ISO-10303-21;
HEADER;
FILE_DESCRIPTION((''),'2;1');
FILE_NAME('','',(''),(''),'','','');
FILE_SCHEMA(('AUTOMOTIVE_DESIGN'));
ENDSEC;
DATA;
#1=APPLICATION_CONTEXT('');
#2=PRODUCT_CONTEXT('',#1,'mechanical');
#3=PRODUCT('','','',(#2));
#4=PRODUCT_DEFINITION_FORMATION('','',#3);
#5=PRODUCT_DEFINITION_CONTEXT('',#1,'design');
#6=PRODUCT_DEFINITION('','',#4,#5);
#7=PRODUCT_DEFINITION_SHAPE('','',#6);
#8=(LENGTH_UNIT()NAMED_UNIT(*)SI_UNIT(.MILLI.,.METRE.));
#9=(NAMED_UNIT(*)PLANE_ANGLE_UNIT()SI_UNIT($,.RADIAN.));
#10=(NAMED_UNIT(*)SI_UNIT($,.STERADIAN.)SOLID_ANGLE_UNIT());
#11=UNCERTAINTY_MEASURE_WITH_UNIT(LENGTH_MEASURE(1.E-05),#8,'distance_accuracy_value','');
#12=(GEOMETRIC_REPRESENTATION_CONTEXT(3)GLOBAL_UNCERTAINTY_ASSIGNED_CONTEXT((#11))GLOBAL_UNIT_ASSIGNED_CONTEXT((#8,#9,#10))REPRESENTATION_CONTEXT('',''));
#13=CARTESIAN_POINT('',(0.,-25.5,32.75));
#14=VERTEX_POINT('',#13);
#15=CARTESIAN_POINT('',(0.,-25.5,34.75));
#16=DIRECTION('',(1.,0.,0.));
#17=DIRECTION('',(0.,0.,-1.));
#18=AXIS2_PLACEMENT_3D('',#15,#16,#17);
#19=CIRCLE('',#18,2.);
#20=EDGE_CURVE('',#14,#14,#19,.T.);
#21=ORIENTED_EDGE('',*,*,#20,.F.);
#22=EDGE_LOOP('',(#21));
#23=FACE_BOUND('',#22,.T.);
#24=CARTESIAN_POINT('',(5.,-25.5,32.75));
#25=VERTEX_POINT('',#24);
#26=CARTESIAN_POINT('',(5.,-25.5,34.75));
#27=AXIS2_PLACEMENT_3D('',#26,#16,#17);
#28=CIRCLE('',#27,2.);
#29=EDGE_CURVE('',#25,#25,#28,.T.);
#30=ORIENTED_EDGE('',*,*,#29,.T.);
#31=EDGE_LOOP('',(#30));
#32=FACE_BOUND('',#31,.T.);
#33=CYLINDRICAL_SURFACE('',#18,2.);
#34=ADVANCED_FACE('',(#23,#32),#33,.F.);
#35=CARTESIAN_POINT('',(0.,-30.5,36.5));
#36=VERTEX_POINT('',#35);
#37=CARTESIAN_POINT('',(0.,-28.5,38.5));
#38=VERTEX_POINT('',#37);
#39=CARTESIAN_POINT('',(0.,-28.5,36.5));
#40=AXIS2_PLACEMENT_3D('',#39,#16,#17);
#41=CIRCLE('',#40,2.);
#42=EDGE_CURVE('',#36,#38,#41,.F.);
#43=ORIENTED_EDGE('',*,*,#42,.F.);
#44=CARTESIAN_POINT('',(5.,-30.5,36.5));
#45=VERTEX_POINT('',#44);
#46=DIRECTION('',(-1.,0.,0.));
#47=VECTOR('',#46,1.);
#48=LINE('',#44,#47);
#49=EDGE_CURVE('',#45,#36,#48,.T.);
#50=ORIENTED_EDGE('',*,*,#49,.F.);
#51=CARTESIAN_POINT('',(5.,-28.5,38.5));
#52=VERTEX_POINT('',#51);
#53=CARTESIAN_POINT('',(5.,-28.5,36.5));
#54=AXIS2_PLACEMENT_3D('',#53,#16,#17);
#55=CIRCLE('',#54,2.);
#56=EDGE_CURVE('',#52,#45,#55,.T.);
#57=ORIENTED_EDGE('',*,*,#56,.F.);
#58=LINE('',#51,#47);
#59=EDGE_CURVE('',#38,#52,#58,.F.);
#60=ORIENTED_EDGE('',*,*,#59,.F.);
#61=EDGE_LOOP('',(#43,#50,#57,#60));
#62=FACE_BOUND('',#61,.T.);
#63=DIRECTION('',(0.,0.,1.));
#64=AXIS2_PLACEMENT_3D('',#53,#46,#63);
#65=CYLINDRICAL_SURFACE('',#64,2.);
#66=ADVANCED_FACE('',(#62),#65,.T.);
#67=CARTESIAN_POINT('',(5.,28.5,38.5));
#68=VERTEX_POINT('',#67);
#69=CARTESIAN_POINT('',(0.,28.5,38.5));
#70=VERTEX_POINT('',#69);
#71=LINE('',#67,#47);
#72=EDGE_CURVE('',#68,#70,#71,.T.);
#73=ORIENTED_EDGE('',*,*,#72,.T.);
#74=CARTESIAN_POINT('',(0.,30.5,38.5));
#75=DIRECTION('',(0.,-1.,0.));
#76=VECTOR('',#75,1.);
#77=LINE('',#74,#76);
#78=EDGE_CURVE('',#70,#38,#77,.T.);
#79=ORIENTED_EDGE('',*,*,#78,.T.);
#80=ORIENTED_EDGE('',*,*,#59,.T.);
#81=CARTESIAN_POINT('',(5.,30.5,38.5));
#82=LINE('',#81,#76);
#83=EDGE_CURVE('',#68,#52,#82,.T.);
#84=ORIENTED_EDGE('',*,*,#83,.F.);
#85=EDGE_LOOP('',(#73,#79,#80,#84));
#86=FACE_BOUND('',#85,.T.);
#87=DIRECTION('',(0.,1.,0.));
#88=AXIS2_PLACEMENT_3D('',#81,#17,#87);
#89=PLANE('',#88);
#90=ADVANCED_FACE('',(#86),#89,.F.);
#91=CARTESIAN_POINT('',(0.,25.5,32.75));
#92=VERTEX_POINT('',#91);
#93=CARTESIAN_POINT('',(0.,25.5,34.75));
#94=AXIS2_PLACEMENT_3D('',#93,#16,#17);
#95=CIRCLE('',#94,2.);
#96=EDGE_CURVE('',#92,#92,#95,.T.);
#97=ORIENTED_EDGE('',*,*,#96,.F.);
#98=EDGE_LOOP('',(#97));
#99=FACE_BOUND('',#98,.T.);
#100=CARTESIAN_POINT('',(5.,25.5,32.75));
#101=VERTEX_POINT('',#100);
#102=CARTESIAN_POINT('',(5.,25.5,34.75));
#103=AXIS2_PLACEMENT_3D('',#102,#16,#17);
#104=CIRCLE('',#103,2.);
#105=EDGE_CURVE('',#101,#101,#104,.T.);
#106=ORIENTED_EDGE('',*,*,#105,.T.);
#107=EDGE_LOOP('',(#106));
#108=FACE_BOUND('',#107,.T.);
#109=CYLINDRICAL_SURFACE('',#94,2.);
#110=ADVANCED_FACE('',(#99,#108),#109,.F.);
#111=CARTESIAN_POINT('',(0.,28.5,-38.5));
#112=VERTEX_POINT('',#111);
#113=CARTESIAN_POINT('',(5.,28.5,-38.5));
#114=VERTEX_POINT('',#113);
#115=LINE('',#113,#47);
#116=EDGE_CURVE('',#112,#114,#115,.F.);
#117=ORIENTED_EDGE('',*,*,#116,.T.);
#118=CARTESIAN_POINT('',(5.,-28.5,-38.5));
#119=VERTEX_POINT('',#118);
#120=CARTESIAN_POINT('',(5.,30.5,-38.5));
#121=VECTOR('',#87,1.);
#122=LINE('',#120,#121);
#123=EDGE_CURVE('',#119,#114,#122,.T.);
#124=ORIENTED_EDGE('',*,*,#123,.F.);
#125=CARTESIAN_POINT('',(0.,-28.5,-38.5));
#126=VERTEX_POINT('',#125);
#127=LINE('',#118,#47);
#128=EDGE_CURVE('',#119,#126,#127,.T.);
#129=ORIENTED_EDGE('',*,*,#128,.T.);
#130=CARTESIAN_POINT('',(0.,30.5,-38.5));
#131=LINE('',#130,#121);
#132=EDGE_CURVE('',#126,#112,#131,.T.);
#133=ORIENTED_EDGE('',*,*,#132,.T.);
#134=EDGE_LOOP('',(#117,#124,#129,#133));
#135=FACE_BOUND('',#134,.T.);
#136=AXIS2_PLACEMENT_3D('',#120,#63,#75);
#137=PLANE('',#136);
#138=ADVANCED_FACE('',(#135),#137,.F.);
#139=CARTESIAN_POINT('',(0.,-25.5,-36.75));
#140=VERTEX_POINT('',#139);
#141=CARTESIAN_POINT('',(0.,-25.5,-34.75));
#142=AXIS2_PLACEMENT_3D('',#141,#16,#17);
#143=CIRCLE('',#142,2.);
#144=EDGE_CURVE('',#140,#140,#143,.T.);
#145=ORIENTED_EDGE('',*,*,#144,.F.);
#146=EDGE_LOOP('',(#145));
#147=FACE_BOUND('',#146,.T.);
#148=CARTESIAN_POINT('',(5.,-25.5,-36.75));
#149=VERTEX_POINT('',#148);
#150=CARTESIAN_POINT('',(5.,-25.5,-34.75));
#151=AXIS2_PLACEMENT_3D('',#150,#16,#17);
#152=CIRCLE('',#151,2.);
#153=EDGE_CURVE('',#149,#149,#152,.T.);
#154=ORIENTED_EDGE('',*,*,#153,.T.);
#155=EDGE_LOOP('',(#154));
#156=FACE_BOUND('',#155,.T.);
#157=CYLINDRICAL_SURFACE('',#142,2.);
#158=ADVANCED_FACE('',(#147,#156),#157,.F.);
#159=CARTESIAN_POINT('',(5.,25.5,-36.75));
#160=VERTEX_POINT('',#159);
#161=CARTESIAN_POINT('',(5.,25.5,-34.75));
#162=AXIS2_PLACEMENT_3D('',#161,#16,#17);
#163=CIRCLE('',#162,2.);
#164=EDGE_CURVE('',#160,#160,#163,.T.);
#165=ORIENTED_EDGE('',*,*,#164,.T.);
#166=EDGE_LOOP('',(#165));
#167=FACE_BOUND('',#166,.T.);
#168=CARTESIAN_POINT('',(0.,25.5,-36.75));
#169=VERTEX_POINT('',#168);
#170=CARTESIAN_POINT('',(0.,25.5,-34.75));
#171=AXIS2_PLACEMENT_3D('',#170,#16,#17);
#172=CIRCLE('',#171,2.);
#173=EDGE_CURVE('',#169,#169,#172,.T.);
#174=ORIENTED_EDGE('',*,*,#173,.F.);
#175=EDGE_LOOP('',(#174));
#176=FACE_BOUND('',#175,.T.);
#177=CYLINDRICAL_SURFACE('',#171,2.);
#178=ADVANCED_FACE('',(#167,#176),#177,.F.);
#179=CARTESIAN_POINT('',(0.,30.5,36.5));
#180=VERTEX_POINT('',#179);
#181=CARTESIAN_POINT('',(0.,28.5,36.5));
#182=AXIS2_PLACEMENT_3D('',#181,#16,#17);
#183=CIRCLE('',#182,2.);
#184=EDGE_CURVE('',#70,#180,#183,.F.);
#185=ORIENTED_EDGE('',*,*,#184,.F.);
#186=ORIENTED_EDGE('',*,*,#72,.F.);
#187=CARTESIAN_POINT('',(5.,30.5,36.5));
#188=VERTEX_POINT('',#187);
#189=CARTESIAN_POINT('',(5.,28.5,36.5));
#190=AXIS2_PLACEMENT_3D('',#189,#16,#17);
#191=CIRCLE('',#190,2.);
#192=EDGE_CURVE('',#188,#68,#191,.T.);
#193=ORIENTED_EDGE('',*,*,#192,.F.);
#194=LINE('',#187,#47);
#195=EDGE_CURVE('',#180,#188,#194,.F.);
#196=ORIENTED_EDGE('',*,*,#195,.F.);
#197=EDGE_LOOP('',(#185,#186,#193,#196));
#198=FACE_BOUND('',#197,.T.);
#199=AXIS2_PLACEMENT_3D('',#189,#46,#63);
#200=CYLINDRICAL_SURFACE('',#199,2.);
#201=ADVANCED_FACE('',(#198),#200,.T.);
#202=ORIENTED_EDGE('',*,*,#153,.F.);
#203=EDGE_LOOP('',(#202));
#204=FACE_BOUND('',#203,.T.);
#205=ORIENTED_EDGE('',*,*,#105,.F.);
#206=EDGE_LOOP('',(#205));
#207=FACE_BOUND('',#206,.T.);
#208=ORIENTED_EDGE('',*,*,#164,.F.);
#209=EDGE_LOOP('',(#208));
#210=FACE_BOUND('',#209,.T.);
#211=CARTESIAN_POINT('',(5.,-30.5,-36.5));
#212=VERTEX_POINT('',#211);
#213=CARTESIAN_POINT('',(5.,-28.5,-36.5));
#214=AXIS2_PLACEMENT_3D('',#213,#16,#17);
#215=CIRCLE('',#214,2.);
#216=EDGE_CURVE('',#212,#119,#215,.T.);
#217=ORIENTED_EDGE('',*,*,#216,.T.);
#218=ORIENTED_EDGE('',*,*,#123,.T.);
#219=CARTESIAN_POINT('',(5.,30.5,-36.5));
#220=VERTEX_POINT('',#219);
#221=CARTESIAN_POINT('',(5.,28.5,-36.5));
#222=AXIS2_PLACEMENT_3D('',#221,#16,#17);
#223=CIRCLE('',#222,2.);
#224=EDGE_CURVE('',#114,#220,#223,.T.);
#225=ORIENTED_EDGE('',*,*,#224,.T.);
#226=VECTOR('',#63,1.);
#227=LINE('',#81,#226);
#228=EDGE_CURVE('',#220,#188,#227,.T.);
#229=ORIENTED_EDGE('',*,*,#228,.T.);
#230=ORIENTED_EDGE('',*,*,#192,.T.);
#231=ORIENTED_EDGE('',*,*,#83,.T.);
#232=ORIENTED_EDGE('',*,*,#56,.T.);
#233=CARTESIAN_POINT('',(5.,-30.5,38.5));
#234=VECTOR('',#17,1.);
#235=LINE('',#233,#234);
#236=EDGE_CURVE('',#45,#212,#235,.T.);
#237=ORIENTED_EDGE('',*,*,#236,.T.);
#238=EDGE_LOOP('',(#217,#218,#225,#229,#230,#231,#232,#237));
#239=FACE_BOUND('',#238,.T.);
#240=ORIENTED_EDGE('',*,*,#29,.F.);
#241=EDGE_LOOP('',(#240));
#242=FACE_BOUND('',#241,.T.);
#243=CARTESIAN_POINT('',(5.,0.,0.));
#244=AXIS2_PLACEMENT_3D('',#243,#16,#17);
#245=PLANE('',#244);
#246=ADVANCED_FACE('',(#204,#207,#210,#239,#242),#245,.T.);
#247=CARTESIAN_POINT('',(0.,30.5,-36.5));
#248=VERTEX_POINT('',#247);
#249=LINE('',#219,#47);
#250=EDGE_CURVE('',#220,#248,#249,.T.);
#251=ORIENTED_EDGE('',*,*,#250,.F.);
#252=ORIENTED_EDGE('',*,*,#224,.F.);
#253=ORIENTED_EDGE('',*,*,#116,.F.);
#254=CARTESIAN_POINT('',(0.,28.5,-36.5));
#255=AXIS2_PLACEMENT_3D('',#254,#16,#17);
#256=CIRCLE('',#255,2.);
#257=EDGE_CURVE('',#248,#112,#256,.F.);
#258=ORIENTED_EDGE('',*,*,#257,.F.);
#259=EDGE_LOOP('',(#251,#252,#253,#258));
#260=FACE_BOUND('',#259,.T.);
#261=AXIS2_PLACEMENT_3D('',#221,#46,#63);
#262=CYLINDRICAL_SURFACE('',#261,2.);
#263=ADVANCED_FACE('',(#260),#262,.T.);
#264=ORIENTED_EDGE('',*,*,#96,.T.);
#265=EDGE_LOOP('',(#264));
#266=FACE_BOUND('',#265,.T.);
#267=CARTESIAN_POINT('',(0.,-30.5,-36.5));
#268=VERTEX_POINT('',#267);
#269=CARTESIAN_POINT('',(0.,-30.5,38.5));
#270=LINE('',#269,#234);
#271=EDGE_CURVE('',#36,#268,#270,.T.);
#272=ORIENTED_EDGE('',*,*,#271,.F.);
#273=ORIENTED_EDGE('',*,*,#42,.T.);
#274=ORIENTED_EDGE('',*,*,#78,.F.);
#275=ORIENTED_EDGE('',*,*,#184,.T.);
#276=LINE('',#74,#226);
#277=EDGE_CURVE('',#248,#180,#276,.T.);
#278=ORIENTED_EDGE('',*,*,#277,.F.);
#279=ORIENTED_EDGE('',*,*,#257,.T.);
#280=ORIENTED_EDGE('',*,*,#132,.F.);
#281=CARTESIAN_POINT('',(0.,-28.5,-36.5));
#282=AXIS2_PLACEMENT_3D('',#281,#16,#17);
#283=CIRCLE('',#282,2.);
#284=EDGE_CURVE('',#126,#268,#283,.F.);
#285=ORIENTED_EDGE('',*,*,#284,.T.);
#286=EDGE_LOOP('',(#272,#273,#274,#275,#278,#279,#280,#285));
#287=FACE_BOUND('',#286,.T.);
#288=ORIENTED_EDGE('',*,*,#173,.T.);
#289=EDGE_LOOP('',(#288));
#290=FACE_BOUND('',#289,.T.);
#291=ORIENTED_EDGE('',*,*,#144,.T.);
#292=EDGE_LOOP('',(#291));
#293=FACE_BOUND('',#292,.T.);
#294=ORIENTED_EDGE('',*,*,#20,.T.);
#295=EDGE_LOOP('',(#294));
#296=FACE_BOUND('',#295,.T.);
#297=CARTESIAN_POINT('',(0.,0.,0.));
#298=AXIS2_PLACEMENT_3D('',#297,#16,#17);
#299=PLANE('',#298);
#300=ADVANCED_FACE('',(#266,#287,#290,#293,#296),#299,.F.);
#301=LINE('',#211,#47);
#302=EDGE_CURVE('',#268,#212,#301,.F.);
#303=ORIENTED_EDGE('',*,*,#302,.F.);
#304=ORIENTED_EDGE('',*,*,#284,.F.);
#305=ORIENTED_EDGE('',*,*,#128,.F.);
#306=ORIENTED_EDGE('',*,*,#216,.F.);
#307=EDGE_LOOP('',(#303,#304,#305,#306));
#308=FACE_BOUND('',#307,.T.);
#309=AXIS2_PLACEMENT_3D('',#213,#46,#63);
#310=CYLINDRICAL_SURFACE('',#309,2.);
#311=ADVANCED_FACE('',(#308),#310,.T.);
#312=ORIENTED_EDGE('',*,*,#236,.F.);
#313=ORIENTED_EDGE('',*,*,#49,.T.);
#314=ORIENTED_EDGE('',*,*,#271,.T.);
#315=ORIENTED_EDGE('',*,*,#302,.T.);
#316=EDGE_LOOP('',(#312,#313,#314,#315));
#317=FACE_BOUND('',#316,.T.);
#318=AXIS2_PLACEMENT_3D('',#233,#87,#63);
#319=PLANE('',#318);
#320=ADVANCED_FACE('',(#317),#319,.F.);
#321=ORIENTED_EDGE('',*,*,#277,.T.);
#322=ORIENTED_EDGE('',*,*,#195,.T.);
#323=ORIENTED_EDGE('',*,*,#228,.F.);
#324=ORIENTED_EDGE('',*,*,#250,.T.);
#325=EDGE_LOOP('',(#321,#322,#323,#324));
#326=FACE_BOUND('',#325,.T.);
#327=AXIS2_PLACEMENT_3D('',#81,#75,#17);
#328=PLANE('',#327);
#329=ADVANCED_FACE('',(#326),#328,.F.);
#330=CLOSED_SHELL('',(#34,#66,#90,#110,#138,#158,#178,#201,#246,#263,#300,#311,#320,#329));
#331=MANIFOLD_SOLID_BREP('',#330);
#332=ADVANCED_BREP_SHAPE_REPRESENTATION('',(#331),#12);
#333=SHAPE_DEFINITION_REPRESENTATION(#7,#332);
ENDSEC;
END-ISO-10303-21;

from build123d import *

# Parameters (mm, degrees)
CROQUIS1_W              = 77
CROQUIS1_H              = 61
SALIENTE_EXTRUIR1_DEPTH = 5
CROQUIS2_R              = 2
CORTAR_EXTRUIR1_DEPTH   = 5
REDONDEO2_R             = 2
REDONDEO3_R             = 2
REDONDEO4_R             = 2


with BuildPart() as part:
    # Croquis1 → Saliente-Extruir1 (new body)
    with BuildSketch(Plane(origin=(0, 0, 0), x_dir=(0, 0, -1), z_dir=(1, 0, 0))):
        Rectangle(CROQUIS1_W, CROQUIS1_H)
    extrude(amount=SALIENTE_EXTRUIR1_DEPTH)

    # Croquis2 → Cortar-Extruir1 (cut)
    with BuildSketch(Plane(origin=(5, 0, 0), x_dir=(0, 0, -1), z_dir=(1, 0, 0))):
        with Locations((-34.75, 25.5)):
            Circle(CROQUIS2_R)
        with Locations((-34.75, -25.5)):
            Circle(CROQUIS2_R)
        with Locations((34.75, 25.5)):
            Circle(CROQUIS2_R)
        with Locations((34.75, -25.5)):
            Circle(CROQUIS2_R)
    extrude(amount=-CORTAR_EXTRUIR1_DEPTH, mode=Mode.SUBTRACT)

    # Redondeo2
    redondeo2_edges = [part.edges().sort_by_distance(p)[0] for p in [
        (2.5, 30.5, 38.5),
    ]]
    fillet(redondeo2_edges, radius=REDONDEO2_R)

    # Redondeo3
    redondeo3_edges = [part.edges().sort_by_distance(p)[0] for p in [
        (2.5, 30.5, -38.5),
    ]]
    fillet(redondeo3_edges, radius=REDONDEO3_R)

    # Redondeo4
    redondeo4_edges = [part.edges().sort_by_distance(p)[0] for p in [
        (2.5, -30.5, -38.5),
        (2.5, -30.5, 38.5),
    ]]
    fillet(redondeo4_edges, radius=REDONDEO4_R)


solid = part.part
